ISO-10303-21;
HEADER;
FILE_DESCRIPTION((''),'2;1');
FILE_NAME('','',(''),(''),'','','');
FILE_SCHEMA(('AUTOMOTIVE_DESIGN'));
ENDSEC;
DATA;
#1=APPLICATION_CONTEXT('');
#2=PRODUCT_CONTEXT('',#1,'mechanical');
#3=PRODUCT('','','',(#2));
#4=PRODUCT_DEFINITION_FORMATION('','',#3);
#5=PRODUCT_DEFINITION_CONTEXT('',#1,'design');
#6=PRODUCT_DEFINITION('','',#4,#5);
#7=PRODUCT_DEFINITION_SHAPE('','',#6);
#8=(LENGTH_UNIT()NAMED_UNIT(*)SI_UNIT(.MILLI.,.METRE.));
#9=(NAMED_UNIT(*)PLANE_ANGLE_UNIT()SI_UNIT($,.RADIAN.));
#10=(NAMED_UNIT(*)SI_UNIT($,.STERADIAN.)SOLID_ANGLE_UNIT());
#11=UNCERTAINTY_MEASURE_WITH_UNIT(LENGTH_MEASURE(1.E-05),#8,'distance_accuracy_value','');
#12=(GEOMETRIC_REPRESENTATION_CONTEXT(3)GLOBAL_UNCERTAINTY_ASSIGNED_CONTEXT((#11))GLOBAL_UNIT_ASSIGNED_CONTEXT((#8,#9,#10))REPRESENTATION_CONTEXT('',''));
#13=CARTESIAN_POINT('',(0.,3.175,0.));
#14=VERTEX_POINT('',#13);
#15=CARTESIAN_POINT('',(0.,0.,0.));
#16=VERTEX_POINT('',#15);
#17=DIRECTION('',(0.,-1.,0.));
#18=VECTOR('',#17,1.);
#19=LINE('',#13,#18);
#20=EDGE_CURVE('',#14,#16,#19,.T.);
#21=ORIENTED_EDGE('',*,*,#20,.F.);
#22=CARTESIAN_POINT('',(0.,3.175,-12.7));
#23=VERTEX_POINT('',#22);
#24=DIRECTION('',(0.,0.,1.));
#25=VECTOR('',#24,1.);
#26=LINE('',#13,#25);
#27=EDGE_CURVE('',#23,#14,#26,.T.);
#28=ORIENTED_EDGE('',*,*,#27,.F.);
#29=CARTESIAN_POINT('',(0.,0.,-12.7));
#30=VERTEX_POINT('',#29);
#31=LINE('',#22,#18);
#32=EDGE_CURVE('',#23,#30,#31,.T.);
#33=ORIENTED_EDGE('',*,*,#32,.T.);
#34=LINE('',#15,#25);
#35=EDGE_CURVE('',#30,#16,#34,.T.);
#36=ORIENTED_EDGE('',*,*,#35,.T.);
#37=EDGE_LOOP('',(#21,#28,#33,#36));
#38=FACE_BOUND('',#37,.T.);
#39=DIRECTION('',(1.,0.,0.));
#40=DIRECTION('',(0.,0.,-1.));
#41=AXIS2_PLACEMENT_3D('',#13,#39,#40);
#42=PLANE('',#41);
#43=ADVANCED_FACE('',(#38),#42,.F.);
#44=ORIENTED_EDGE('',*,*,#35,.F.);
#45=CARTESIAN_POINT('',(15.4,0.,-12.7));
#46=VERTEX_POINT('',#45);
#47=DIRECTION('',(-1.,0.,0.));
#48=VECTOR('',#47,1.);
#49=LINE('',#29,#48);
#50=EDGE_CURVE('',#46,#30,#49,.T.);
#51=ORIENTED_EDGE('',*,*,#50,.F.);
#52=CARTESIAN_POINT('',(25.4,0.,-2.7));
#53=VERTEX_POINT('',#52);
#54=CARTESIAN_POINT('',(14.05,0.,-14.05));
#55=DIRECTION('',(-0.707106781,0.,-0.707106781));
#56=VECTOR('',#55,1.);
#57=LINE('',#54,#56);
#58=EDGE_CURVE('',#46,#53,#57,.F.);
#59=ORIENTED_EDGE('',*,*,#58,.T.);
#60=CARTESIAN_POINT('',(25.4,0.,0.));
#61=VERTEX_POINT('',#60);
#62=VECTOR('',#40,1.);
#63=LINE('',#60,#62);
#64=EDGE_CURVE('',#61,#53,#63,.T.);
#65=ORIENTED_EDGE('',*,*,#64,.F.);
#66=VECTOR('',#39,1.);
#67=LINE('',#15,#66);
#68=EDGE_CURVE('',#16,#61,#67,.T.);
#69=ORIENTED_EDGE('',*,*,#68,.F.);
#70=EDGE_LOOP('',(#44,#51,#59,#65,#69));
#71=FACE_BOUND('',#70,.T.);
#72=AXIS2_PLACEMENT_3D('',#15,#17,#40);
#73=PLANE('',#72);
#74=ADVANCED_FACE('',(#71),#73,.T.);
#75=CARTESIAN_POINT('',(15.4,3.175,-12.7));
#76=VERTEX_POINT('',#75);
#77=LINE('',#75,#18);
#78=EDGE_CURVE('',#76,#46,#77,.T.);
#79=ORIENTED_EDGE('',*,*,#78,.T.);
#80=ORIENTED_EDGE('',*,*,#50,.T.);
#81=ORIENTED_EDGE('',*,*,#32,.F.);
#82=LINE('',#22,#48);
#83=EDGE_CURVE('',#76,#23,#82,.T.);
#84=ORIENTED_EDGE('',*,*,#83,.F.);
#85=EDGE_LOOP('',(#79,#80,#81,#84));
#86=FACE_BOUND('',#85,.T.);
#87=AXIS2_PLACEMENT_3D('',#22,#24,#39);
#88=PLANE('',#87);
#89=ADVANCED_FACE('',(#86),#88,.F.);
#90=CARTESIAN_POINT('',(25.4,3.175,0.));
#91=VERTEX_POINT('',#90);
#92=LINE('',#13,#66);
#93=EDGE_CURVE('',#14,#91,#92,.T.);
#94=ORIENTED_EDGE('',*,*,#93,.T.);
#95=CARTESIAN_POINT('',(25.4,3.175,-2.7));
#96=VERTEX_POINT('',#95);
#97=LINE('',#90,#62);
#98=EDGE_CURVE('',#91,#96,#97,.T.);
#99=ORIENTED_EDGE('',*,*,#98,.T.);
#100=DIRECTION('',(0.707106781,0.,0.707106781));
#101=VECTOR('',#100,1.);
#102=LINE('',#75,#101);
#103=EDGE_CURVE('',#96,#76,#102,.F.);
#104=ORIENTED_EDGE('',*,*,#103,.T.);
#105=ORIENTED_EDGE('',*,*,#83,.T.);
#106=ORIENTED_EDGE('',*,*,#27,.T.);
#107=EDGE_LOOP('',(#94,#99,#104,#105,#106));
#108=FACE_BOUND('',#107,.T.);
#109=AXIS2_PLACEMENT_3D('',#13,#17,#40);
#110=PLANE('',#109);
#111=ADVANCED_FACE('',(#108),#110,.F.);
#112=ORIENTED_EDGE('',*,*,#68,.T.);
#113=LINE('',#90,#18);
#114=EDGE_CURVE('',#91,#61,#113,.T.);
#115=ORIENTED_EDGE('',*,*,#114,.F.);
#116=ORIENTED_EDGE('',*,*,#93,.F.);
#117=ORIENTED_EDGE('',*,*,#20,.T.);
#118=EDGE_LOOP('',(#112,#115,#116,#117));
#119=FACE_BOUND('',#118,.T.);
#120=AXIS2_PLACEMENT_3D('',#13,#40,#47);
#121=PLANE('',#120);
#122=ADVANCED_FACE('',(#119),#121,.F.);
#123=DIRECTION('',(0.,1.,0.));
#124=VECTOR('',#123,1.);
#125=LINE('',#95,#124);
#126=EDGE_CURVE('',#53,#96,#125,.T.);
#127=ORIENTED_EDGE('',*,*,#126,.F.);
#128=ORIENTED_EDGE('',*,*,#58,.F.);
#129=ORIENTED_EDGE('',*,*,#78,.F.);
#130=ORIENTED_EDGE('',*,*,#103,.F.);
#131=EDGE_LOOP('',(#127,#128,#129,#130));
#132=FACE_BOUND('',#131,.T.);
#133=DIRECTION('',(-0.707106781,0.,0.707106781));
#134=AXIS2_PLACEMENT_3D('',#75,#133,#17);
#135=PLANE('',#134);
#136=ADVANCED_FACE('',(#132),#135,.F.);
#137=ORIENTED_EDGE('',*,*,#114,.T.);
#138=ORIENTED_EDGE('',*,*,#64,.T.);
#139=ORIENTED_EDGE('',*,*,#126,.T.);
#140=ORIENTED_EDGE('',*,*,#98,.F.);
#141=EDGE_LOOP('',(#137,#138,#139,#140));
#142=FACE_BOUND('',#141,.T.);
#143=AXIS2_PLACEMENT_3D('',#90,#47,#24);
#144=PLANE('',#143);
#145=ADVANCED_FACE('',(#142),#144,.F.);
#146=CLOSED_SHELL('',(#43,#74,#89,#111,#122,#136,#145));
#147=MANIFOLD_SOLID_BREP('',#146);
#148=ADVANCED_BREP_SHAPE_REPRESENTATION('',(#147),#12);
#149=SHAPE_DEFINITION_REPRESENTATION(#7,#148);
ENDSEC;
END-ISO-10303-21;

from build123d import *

# Parameters (mm, degrees)
SKETCH1_W           = 25.4
SKETCH1_H           = 12.7
BOSS_EXTRUDE1_DEPTH = 3.175
CHAMFER1_SIZE       = 10


with BuildPart() as part:
    # Sketch1 → Boss-Extrude1 (new body)
    with BuildSketch(Plane(origin=(0, 0, 0), x_dir=(1, 0, 0), z_dir=(0, 1, 0))):
        with Locations((12.7, 6.35)):
            Rectangle(SKETCH1_W, SKETCH1_H)
    extrude(amount=BOSS_EXTRUDE1_DEPTH)

    # Chamfer1
    chamfer1_edges = [part.edges().sort_by_distance(p)[0] for p in [
        (25.4, 1.5875, -12.7),
    ]]
    chamfer(chamfer1_edges, length=CHAMFER1_SIZE)


solid = part.part
